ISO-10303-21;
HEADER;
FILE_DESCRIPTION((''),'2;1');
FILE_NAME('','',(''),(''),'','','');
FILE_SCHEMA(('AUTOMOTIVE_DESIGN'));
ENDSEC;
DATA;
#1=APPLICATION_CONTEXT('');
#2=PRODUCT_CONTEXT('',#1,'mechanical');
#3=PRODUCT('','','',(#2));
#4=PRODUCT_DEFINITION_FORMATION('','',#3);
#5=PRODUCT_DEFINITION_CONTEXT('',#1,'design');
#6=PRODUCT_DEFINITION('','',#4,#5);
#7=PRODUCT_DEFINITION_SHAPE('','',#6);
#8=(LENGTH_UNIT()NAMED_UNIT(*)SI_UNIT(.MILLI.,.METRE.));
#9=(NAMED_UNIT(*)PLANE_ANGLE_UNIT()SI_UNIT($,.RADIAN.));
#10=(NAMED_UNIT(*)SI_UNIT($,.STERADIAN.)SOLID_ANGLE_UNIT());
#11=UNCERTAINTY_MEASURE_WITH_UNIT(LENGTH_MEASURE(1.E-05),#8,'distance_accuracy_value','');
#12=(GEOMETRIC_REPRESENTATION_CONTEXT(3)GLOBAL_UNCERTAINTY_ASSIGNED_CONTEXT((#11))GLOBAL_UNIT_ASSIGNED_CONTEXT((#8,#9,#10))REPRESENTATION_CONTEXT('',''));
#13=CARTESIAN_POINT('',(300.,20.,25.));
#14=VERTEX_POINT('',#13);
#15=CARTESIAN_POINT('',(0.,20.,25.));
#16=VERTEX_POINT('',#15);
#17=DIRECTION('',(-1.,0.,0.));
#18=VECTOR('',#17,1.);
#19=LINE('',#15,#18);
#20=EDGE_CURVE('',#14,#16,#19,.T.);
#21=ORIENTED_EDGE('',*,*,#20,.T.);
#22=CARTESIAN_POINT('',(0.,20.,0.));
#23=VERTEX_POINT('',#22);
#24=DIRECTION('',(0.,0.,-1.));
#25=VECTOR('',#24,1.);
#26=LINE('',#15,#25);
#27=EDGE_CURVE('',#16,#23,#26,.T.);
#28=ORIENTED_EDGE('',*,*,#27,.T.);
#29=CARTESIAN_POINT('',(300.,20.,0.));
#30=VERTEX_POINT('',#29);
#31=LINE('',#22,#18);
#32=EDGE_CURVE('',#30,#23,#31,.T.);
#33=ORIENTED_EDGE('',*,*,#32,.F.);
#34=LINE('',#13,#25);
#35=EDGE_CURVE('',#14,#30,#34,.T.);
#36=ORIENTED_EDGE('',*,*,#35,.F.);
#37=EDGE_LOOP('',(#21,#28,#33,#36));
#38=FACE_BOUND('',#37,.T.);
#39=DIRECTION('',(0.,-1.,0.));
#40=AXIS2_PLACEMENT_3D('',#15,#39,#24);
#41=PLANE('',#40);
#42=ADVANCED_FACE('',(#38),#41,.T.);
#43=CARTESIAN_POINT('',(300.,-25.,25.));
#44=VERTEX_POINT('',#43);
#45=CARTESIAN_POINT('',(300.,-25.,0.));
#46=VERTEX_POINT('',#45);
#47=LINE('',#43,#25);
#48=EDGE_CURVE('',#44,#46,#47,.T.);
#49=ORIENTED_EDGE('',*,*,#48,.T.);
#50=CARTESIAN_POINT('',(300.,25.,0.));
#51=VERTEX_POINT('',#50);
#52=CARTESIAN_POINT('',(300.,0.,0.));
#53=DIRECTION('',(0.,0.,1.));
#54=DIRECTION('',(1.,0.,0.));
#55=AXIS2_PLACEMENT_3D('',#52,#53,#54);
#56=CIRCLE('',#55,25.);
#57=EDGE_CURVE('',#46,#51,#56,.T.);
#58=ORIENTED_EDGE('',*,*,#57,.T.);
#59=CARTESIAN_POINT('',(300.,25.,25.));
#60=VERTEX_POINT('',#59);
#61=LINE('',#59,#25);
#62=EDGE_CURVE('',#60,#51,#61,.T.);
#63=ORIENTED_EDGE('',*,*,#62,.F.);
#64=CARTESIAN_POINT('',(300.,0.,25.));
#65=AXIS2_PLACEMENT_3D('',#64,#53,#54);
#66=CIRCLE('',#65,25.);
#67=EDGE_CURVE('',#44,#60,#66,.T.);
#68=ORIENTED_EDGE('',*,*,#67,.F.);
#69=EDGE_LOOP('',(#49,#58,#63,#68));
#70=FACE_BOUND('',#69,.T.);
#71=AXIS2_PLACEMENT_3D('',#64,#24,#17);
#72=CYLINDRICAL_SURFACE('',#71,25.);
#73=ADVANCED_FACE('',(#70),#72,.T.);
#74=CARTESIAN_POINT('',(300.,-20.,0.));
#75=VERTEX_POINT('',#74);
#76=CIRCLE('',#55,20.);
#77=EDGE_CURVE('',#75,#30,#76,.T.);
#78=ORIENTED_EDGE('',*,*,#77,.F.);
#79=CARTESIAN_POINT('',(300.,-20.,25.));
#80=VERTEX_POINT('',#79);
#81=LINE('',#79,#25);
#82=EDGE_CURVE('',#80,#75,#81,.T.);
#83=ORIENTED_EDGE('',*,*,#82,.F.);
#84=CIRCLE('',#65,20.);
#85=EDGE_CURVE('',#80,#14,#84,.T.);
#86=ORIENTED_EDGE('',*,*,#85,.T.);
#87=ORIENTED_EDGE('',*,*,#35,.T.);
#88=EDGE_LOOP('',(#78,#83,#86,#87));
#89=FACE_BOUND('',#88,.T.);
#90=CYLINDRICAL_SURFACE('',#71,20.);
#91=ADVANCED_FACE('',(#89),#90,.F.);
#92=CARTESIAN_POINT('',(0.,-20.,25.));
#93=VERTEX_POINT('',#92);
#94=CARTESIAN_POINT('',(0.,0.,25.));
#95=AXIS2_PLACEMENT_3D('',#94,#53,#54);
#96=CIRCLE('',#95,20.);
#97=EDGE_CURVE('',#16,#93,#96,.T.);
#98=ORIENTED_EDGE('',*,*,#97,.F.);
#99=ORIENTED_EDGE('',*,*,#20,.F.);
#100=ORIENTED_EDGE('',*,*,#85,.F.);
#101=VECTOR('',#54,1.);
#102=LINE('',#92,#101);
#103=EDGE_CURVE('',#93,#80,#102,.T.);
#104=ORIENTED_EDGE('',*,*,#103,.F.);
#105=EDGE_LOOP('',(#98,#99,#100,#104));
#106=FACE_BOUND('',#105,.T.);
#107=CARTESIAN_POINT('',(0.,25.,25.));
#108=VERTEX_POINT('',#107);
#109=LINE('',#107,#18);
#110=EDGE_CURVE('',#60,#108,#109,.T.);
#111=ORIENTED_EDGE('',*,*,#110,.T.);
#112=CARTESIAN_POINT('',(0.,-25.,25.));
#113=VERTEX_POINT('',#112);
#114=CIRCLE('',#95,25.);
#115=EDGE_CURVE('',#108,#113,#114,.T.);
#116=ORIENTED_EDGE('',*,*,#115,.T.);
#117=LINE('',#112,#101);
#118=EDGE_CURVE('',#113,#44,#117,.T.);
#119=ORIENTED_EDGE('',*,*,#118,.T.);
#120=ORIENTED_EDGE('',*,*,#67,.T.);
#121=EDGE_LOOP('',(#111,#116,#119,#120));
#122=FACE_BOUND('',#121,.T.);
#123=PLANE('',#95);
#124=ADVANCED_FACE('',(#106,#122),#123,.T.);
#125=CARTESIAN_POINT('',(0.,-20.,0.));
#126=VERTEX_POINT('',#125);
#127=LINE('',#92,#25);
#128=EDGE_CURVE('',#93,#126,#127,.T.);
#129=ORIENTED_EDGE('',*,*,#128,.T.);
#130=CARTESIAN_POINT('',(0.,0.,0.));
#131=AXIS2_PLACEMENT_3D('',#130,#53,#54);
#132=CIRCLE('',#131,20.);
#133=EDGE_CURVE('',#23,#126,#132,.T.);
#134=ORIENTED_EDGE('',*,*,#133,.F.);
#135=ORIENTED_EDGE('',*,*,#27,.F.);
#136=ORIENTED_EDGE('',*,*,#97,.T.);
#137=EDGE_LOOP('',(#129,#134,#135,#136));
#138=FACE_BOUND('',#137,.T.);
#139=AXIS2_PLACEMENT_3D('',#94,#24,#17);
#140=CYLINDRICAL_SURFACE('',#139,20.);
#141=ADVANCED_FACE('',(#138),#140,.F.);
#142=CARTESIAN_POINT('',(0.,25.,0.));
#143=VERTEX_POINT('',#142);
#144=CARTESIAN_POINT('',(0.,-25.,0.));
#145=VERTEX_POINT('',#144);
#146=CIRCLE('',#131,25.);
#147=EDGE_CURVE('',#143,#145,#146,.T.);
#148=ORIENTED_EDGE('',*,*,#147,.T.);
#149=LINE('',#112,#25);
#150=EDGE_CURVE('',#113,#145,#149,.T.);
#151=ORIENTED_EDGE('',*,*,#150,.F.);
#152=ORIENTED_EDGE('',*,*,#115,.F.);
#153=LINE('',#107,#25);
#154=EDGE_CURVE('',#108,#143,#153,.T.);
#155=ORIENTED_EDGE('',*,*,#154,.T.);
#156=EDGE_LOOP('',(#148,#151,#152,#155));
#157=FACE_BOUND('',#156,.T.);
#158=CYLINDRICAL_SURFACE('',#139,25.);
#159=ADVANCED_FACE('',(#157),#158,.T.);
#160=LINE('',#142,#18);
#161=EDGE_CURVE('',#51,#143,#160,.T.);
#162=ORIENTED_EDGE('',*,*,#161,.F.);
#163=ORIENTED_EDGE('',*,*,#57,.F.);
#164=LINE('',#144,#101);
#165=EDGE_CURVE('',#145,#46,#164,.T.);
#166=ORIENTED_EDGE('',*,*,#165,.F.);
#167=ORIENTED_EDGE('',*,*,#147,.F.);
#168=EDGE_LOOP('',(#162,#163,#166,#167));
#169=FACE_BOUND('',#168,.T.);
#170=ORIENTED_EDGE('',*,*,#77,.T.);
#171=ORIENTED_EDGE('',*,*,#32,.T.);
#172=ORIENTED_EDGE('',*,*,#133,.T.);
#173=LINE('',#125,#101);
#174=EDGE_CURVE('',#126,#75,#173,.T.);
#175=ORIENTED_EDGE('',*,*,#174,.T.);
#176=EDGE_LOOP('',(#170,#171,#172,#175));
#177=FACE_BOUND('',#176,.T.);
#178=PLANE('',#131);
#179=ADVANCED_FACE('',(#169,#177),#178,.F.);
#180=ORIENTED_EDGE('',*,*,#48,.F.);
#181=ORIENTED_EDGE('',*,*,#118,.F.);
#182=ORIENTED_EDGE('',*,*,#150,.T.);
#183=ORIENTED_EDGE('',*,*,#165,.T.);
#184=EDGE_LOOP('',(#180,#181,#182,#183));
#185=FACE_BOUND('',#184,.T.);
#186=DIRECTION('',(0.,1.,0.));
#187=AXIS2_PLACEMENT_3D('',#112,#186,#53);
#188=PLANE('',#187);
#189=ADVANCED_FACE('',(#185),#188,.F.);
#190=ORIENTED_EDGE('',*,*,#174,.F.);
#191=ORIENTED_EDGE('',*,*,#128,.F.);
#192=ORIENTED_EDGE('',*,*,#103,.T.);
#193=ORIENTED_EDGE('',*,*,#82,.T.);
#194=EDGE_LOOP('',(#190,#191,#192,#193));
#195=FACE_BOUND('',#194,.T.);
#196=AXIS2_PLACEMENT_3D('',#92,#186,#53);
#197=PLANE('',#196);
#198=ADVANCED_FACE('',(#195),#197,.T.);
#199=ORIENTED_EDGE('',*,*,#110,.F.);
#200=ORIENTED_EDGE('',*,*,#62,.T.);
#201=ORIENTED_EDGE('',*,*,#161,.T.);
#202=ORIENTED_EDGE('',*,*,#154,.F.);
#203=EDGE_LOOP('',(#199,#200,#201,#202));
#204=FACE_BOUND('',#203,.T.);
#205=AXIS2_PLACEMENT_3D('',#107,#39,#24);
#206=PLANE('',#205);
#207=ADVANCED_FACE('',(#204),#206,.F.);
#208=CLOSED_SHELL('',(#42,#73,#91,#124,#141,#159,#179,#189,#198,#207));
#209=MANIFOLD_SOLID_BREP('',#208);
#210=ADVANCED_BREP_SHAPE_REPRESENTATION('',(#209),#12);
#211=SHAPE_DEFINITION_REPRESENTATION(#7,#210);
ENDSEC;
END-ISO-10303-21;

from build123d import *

# Parameters (mm, degrees)
EXTRUDE_1_DEPTH = 25


with BuildPart() as part:
    # 草图1 → 凸台-拉伸1 (new body)
    with BuildSketch(Plane.XY):
        with BuildLine():
            Line((0, 25), (300, 25))
            ThreePointArc((300, 25), (325, 0), (300, -25))
            Line((300, -25), (0, -25))
            ThreePointArc((0, -25), (-25, 0), (0, 25))
        make_face()
        with BuildLine():
            Line((0, 20), (300, 20))
            ThreePointArc((300, 20), (320, 0), (300, -20))
            Line((300, -20), (0, -20))
            ThreePointArc((0, -20), (-20, 0), (0, 20))
        make_face(mode=Mode.SUBTRACT)
    extrude(amount=EXTRUDE_1_DEPTH)


solid = part.part
